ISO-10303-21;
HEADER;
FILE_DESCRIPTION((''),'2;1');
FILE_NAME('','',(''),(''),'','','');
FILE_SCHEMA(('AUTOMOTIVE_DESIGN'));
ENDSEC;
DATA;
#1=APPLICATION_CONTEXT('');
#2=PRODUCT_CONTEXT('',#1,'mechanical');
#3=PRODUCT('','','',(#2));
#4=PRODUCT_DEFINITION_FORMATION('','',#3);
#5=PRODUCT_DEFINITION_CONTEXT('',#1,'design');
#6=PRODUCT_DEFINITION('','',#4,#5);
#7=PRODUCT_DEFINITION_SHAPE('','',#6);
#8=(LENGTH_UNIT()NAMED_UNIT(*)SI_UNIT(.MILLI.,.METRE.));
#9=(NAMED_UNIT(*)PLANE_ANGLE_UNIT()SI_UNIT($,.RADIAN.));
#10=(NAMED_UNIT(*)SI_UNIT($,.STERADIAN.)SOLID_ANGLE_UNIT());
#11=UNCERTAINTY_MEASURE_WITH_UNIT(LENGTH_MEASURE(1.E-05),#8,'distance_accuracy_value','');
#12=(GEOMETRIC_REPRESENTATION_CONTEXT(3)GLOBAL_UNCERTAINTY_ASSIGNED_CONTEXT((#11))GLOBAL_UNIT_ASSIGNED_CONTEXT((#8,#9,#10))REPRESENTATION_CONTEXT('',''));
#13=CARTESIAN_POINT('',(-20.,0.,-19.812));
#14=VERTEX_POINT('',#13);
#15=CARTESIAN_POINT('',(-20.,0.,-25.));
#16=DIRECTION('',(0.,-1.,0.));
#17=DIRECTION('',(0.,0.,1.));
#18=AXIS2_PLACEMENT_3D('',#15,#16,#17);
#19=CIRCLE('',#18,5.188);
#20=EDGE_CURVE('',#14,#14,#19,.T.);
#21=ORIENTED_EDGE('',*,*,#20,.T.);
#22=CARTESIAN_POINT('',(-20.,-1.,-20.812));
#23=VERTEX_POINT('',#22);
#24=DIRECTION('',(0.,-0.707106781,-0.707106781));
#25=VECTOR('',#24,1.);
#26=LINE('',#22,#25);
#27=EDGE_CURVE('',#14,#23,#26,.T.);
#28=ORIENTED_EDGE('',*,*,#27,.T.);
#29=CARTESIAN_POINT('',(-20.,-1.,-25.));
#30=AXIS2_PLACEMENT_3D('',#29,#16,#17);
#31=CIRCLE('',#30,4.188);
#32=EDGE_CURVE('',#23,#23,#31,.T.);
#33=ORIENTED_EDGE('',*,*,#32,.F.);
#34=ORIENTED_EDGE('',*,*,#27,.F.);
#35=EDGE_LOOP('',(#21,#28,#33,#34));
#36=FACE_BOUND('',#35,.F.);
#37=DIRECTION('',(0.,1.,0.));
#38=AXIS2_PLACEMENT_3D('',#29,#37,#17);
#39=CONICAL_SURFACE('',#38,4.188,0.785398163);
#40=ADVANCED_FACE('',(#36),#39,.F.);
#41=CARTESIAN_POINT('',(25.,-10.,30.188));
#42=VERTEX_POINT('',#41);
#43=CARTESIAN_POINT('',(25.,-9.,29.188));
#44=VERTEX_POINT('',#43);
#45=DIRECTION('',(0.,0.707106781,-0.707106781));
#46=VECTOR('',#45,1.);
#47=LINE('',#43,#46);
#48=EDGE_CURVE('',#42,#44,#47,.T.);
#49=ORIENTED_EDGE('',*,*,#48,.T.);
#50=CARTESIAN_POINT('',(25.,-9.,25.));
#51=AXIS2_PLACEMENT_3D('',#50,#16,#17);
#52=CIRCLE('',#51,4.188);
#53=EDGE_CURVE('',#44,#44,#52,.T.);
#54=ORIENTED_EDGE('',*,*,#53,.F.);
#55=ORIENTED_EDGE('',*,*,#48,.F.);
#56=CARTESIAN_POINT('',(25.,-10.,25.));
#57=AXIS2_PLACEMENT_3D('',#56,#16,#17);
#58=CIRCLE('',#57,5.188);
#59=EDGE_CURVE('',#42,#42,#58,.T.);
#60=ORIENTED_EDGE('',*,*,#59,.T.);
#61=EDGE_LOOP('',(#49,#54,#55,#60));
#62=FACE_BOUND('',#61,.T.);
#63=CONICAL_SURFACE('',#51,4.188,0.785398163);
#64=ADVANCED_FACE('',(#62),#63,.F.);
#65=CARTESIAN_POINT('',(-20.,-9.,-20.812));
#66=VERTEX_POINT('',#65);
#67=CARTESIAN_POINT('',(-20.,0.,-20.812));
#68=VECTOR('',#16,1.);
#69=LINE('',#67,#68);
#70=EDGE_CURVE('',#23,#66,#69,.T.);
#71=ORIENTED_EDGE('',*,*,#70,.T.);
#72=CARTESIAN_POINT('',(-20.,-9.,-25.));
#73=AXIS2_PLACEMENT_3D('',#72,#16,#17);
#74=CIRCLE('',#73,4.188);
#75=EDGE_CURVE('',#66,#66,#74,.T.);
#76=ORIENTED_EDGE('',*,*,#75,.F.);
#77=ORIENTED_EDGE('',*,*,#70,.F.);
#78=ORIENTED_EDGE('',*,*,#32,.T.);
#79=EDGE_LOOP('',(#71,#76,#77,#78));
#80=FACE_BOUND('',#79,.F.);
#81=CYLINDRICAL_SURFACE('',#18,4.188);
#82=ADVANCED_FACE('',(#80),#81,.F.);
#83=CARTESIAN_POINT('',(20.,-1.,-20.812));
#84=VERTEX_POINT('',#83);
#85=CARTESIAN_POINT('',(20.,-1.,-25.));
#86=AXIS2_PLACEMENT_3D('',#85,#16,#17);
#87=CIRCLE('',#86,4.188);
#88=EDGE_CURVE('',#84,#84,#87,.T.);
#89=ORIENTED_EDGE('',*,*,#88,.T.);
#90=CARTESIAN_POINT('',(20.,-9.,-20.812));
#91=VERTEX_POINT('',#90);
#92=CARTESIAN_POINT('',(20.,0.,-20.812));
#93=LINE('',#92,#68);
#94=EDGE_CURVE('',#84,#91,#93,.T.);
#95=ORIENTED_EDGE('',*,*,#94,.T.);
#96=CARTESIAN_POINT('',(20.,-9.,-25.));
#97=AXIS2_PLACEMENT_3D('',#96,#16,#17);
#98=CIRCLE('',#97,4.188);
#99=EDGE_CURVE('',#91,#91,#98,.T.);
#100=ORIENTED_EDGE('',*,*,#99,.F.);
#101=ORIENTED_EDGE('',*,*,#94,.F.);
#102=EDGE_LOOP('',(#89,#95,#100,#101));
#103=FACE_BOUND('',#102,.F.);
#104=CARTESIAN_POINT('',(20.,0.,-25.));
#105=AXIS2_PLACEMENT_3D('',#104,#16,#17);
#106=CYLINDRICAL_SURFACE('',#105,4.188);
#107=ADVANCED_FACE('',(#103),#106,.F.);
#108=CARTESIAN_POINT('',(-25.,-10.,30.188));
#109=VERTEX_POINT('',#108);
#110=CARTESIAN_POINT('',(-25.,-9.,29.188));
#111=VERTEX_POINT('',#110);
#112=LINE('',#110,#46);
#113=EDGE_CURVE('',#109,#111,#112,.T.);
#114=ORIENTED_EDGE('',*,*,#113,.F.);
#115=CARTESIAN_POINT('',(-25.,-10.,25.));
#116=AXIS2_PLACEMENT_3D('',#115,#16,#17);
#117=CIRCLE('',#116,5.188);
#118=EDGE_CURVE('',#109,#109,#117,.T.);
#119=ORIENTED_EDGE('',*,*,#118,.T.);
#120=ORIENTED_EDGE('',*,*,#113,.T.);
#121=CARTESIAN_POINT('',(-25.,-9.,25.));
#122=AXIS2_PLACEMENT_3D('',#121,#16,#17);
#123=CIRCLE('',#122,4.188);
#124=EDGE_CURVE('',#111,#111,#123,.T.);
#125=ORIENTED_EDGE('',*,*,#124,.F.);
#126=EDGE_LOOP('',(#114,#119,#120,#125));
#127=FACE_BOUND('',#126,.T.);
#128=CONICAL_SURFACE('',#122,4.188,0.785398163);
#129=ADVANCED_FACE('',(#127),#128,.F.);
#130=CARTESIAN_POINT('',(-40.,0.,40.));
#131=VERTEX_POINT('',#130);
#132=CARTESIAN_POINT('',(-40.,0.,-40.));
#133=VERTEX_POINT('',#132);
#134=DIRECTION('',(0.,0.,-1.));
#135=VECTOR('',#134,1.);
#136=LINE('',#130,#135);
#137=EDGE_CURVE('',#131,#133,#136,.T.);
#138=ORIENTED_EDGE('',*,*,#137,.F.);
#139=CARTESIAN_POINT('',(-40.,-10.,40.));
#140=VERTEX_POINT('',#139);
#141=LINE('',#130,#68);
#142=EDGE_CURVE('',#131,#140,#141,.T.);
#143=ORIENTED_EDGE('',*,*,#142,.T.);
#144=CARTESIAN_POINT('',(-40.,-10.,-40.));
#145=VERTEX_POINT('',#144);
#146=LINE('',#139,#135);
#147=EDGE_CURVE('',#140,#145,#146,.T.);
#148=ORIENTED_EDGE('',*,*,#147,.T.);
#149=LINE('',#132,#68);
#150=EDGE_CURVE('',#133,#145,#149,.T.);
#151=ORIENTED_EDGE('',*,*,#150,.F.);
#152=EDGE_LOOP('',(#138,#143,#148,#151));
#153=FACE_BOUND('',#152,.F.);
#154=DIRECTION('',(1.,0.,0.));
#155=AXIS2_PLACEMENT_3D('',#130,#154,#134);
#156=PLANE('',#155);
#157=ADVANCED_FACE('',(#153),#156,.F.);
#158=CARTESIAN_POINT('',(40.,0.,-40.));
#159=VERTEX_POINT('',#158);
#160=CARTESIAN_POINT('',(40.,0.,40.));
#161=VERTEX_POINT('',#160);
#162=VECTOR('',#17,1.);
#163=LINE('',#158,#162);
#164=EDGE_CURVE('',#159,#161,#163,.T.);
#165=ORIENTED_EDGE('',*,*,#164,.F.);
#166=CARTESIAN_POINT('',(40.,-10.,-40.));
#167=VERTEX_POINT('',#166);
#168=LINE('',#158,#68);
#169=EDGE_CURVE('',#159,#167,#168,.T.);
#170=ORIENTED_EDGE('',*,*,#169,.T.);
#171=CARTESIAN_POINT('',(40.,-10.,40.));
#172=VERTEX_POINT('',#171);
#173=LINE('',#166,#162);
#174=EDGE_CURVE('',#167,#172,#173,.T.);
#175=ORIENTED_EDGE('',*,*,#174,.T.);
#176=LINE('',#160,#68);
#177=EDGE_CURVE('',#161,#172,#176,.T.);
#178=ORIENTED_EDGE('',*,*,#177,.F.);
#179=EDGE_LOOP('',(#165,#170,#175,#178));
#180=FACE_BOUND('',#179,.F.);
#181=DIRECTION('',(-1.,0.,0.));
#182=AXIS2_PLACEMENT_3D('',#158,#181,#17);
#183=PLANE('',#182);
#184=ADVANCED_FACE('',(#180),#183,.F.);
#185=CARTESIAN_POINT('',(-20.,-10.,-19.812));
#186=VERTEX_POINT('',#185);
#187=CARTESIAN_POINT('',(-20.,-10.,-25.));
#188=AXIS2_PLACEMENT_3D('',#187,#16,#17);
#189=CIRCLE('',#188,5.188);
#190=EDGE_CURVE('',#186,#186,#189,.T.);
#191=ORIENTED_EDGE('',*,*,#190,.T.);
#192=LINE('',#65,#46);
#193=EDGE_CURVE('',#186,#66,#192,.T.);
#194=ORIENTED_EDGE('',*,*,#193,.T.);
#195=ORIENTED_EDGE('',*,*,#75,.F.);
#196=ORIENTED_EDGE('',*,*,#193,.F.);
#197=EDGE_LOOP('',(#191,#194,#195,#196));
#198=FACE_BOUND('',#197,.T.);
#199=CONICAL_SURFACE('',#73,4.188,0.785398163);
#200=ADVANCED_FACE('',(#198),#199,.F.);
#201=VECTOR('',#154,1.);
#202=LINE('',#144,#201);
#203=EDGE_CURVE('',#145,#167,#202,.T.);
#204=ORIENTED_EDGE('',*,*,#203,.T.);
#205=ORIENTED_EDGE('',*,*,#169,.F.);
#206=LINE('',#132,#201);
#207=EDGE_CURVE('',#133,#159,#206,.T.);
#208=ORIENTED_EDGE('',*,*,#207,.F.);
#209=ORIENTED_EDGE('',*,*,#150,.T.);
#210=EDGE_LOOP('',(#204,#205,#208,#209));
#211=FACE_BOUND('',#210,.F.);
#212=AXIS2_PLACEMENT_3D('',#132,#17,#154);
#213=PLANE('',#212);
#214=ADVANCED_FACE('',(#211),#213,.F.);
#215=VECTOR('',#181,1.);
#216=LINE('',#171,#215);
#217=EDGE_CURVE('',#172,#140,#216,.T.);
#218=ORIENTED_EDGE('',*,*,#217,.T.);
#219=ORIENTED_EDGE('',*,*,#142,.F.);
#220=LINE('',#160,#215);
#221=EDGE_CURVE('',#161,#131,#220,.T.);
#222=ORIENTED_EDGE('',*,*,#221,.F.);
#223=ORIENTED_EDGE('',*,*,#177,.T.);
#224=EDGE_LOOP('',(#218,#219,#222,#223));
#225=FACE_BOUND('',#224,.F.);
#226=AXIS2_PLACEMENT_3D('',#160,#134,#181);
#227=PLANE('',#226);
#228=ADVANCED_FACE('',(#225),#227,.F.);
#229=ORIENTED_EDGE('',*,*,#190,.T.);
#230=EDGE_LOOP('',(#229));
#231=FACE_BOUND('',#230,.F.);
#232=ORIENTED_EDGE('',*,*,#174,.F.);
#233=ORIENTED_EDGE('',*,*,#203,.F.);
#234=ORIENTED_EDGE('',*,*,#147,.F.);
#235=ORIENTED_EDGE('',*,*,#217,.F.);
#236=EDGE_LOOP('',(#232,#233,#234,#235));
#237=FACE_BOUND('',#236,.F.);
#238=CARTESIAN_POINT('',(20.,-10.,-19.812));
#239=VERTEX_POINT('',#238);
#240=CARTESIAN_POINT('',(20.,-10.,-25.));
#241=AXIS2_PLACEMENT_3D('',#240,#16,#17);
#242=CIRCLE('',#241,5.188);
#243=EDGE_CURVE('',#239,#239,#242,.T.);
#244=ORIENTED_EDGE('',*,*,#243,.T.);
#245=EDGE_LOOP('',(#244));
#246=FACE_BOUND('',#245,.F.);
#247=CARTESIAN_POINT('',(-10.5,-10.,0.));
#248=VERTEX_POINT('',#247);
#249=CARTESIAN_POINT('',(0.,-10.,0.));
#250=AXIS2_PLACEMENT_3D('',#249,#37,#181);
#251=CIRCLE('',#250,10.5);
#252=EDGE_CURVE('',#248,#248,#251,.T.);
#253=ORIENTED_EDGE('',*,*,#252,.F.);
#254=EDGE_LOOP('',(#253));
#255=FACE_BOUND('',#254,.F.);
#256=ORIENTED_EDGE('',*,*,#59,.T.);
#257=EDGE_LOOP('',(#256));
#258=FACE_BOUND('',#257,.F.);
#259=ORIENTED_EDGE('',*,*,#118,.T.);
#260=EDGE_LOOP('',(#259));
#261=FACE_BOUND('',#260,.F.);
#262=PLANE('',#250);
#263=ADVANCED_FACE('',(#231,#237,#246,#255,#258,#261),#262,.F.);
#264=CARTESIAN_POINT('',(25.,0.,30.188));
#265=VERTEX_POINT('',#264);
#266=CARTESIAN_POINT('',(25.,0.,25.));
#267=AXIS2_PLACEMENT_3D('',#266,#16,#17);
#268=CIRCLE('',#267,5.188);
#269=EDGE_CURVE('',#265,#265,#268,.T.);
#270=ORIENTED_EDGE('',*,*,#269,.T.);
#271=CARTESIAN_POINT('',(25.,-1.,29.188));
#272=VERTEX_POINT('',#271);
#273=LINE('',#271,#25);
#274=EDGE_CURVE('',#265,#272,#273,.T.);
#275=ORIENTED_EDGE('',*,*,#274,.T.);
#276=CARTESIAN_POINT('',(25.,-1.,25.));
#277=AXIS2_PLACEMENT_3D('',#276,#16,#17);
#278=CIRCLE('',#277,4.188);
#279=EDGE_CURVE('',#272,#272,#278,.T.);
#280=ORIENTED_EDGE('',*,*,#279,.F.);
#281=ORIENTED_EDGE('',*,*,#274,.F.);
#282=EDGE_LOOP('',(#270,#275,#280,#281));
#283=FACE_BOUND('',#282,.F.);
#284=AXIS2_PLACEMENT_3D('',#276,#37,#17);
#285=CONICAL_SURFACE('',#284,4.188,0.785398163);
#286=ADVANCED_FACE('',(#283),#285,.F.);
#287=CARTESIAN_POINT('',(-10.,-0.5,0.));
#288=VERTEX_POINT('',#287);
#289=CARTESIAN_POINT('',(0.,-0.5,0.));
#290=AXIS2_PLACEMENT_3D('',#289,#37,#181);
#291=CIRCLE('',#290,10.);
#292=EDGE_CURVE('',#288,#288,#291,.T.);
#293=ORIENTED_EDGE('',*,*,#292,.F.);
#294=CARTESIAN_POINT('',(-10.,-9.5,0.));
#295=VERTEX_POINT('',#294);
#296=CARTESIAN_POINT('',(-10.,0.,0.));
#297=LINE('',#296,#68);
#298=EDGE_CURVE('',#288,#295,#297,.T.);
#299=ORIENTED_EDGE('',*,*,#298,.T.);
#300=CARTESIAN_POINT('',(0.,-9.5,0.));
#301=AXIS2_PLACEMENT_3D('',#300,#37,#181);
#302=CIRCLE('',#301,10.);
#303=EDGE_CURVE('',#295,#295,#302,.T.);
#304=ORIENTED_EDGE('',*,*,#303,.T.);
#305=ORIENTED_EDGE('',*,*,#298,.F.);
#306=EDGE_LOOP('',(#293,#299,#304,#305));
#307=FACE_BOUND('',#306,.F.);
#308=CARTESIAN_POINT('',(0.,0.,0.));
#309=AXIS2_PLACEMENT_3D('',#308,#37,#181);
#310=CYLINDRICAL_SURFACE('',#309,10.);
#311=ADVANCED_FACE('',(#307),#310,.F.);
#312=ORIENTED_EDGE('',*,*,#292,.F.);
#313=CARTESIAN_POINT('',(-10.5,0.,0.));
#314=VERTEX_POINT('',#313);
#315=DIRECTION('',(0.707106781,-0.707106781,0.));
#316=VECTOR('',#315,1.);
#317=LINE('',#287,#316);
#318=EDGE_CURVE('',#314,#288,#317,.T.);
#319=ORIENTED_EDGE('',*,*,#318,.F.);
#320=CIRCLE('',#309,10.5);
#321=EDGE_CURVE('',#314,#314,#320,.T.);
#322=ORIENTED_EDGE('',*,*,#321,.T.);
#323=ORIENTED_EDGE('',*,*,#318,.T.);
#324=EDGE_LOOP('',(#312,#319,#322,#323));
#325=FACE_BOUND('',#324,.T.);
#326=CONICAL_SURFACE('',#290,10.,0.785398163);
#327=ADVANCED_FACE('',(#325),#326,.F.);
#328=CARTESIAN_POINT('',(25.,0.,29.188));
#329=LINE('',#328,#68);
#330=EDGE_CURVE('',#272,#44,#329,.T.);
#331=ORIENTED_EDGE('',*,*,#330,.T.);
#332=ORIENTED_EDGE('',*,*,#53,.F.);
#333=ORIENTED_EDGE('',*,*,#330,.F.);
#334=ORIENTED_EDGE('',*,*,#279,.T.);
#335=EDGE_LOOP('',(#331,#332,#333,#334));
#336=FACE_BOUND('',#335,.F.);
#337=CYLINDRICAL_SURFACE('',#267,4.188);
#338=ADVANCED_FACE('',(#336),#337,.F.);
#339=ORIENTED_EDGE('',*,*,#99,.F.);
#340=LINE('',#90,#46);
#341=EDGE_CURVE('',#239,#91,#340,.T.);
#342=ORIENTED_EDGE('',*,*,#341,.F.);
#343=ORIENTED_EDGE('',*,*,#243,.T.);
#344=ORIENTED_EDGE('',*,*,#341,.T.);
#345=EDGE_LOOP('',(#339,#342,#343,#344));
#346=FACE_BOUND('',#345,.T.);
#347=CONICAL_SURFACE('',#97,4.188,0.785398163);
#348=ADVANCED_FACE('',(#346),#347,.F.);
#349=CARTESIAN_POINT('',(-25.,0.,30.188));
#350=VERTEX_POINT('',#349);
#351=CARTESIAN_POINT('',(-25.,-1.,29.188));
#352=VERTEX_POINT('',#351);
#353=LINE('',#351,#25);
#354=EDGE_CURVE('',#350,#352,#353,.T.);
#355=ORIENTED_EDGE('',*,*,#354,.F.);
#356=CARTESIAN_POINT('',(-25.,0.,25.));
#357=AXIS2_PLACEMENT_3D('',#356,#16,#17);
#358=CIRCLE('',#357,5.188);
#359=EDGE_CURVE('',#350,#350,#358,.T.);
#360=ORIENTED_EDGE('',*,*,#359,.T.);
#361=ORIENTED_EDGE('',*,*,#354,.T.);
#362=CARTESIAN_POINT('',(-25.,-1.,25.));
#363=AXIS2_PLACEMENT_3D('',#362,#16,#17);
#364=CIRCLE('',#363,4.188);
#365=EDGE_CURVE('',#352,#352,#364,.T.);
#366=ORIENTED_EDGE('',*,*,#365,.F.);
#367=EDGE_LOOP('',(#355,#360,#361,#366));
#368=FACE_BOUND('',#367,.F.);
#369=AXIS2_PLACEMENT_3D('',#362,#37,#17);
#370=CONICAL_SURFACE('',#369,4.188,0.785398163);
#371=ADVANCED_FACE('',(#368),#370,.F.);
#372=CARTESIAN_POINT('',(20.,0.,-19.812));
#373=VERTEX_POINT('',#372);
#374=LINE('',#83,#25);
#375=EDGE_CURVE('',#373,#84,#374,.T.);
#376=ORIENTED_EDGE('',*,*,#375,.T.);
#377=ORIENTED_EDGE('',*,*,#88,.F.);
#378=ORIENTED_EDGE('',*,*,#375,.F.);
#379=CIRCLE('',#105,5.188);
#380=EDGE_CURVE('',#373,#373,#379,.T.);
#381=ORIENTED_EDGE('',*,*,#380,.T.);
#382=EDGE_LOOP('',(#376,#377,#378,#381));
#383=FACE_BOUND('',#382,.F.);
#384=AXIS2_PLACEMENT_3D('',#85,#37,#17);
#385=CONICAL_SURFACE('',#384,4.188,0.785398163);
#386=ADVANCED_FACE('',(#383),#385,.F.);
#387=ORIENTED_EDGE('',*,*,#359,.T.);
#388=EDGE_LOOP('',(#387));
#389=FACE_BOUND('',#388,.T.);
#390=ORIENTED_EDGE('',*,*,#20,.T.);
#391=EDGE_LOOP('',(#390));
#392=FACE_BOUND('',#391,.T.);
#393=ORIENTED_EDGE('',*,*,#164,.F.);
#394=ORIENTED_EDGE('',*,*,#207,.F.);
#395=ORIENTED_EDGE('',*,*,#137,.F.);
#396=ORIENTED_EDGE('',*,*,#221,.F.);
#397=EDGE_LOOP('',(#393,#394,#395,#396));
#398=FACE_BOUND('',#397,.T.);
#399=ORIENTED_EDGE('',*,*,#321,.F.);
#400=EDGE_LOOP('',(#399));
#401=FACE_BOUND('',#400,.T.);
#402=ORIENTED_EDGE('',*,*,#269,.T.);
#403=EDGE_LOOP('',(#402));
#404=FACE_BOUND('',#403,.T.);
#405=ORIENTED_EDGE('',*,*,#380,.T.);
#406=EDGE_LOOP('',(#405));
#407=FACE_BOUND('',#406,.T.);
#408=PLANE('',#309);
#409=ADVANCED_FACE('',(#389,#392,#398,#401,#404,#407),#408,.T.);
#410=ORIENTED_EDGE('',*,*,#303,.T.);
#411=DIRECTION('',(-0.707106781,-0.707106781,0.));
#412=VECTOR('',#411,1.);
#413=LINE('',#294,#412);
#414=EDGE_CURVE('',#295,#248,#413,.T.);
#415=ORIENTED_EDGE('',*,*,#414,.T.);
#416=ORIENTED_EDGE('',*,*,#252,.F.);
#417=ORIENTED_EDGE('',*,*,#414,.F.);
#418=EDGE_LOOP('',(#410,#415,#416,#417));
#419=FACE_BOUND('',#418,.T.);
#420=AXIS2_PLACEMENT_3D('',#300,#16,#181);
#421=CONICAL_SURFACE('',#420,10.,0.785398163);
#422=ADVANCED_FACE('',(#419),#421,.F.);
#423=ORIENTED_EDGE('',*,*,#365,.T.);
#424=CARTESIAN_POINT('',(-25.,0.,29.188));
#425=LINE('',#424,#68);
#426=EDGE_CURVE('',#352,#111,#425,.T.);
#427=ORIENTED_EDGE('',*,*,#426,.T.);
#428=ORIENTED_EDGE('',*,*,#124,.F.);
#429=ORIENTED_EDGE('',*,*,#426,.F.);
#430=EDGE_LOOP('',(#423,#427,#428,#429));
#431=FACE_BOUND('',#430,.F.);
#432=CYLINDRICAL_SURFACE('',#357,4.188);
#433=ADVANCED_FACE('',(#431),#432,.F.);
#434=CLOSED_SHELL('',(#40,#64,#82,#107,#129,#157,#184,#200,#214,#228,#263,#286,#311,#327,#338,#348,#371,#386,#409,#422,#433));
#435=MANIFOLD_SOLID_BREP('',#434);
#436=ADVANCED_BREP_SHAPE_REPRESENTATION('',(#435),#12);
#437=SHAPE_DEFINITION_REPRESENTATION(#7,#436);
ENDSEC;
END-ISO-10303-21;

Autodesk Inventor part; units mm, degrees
ref_plane "YZ Plane" through (0, 0, 0) normal (1, 0, 0) x (0, 1, 0)
ref_plane "XZ Plane" through (0, 0, 0) normal (0, 1, 0) x (-1, 0, 0)
ref_plane "XY Plane" through (0, 0, 0) normal (0, 0, 1) x (1, 0, 0)
sketch "Sketch1" plane through (0, 0, 0) normal (0, 1, 0) x (-1, 0, 0)
  line L0 (-40, 40) -> (40, 40)
  line L1 (40, 40) -> (40, -40)
  line L2 (40, -40) -> (-40, -40)
  line L3 (-40, -40) -> (-40, 40)
  line L4 (-40, 40) -> (40, -40) construction
  line L5 (40, 40) -> (-40, -40) construction
  line L6 (-25, 25) -> (25, 25) construction
  line L7 (25, 25) -> (25, -25) construction
  line L8 (25, -25) -> (-25, -25) construction
  line L9 (-25, -25) -> (-25, 25) construction
  line L10 (-25, 25) -> (25, -25) construction
  line L11 (25, 25) -> (-25, -25) construction
  circle A0 centre (0, 0) radius 10
  line L12 (20, 25) -> (-20, 25)
  line L13 (-20, 25) -> (-20, -25) construction
  line L14 (-20, -25) -> (20, -25) construction
  line L15 (20, -25) -> (20, 25) construction
  line L16 (56, 0) -> (-56, 0) construction
  line L17 (0, -56) -> (0, 56) construction
  dimension "d0" = 80
  dimension "d1" = 50
  dimension "d2" = 20
  dimension "d12" = 40
extrude "Extrusion1" add sketch "Sketch1" against normal blind 10
hole "Hole1" at (-25, 0, 25) at (25, 0, 25) at (-20, 0, -25) at (20, 0, -25) direction (0, -1, 0) diameter 8.376 end through all thread size "M10x1.5" class "6H" standard "ISO Metric profile"
chamfer "Chamfer1" distance 1 angle 45 8 edges at (20, 0, -29.188) (-20, 0, -29.188) (25, 0, 20.812) (-25, 0, 20.812) (20, -10, -29.188) (-20, -10, -29.188) (25, -10, 20.812) (-25, -10, 20.812)
chamfer "Chamfer2" distance 0.5 angle 45 2 edges at (10, 0, 0) (10, -10, 0)
properties part number "AP1-001"
